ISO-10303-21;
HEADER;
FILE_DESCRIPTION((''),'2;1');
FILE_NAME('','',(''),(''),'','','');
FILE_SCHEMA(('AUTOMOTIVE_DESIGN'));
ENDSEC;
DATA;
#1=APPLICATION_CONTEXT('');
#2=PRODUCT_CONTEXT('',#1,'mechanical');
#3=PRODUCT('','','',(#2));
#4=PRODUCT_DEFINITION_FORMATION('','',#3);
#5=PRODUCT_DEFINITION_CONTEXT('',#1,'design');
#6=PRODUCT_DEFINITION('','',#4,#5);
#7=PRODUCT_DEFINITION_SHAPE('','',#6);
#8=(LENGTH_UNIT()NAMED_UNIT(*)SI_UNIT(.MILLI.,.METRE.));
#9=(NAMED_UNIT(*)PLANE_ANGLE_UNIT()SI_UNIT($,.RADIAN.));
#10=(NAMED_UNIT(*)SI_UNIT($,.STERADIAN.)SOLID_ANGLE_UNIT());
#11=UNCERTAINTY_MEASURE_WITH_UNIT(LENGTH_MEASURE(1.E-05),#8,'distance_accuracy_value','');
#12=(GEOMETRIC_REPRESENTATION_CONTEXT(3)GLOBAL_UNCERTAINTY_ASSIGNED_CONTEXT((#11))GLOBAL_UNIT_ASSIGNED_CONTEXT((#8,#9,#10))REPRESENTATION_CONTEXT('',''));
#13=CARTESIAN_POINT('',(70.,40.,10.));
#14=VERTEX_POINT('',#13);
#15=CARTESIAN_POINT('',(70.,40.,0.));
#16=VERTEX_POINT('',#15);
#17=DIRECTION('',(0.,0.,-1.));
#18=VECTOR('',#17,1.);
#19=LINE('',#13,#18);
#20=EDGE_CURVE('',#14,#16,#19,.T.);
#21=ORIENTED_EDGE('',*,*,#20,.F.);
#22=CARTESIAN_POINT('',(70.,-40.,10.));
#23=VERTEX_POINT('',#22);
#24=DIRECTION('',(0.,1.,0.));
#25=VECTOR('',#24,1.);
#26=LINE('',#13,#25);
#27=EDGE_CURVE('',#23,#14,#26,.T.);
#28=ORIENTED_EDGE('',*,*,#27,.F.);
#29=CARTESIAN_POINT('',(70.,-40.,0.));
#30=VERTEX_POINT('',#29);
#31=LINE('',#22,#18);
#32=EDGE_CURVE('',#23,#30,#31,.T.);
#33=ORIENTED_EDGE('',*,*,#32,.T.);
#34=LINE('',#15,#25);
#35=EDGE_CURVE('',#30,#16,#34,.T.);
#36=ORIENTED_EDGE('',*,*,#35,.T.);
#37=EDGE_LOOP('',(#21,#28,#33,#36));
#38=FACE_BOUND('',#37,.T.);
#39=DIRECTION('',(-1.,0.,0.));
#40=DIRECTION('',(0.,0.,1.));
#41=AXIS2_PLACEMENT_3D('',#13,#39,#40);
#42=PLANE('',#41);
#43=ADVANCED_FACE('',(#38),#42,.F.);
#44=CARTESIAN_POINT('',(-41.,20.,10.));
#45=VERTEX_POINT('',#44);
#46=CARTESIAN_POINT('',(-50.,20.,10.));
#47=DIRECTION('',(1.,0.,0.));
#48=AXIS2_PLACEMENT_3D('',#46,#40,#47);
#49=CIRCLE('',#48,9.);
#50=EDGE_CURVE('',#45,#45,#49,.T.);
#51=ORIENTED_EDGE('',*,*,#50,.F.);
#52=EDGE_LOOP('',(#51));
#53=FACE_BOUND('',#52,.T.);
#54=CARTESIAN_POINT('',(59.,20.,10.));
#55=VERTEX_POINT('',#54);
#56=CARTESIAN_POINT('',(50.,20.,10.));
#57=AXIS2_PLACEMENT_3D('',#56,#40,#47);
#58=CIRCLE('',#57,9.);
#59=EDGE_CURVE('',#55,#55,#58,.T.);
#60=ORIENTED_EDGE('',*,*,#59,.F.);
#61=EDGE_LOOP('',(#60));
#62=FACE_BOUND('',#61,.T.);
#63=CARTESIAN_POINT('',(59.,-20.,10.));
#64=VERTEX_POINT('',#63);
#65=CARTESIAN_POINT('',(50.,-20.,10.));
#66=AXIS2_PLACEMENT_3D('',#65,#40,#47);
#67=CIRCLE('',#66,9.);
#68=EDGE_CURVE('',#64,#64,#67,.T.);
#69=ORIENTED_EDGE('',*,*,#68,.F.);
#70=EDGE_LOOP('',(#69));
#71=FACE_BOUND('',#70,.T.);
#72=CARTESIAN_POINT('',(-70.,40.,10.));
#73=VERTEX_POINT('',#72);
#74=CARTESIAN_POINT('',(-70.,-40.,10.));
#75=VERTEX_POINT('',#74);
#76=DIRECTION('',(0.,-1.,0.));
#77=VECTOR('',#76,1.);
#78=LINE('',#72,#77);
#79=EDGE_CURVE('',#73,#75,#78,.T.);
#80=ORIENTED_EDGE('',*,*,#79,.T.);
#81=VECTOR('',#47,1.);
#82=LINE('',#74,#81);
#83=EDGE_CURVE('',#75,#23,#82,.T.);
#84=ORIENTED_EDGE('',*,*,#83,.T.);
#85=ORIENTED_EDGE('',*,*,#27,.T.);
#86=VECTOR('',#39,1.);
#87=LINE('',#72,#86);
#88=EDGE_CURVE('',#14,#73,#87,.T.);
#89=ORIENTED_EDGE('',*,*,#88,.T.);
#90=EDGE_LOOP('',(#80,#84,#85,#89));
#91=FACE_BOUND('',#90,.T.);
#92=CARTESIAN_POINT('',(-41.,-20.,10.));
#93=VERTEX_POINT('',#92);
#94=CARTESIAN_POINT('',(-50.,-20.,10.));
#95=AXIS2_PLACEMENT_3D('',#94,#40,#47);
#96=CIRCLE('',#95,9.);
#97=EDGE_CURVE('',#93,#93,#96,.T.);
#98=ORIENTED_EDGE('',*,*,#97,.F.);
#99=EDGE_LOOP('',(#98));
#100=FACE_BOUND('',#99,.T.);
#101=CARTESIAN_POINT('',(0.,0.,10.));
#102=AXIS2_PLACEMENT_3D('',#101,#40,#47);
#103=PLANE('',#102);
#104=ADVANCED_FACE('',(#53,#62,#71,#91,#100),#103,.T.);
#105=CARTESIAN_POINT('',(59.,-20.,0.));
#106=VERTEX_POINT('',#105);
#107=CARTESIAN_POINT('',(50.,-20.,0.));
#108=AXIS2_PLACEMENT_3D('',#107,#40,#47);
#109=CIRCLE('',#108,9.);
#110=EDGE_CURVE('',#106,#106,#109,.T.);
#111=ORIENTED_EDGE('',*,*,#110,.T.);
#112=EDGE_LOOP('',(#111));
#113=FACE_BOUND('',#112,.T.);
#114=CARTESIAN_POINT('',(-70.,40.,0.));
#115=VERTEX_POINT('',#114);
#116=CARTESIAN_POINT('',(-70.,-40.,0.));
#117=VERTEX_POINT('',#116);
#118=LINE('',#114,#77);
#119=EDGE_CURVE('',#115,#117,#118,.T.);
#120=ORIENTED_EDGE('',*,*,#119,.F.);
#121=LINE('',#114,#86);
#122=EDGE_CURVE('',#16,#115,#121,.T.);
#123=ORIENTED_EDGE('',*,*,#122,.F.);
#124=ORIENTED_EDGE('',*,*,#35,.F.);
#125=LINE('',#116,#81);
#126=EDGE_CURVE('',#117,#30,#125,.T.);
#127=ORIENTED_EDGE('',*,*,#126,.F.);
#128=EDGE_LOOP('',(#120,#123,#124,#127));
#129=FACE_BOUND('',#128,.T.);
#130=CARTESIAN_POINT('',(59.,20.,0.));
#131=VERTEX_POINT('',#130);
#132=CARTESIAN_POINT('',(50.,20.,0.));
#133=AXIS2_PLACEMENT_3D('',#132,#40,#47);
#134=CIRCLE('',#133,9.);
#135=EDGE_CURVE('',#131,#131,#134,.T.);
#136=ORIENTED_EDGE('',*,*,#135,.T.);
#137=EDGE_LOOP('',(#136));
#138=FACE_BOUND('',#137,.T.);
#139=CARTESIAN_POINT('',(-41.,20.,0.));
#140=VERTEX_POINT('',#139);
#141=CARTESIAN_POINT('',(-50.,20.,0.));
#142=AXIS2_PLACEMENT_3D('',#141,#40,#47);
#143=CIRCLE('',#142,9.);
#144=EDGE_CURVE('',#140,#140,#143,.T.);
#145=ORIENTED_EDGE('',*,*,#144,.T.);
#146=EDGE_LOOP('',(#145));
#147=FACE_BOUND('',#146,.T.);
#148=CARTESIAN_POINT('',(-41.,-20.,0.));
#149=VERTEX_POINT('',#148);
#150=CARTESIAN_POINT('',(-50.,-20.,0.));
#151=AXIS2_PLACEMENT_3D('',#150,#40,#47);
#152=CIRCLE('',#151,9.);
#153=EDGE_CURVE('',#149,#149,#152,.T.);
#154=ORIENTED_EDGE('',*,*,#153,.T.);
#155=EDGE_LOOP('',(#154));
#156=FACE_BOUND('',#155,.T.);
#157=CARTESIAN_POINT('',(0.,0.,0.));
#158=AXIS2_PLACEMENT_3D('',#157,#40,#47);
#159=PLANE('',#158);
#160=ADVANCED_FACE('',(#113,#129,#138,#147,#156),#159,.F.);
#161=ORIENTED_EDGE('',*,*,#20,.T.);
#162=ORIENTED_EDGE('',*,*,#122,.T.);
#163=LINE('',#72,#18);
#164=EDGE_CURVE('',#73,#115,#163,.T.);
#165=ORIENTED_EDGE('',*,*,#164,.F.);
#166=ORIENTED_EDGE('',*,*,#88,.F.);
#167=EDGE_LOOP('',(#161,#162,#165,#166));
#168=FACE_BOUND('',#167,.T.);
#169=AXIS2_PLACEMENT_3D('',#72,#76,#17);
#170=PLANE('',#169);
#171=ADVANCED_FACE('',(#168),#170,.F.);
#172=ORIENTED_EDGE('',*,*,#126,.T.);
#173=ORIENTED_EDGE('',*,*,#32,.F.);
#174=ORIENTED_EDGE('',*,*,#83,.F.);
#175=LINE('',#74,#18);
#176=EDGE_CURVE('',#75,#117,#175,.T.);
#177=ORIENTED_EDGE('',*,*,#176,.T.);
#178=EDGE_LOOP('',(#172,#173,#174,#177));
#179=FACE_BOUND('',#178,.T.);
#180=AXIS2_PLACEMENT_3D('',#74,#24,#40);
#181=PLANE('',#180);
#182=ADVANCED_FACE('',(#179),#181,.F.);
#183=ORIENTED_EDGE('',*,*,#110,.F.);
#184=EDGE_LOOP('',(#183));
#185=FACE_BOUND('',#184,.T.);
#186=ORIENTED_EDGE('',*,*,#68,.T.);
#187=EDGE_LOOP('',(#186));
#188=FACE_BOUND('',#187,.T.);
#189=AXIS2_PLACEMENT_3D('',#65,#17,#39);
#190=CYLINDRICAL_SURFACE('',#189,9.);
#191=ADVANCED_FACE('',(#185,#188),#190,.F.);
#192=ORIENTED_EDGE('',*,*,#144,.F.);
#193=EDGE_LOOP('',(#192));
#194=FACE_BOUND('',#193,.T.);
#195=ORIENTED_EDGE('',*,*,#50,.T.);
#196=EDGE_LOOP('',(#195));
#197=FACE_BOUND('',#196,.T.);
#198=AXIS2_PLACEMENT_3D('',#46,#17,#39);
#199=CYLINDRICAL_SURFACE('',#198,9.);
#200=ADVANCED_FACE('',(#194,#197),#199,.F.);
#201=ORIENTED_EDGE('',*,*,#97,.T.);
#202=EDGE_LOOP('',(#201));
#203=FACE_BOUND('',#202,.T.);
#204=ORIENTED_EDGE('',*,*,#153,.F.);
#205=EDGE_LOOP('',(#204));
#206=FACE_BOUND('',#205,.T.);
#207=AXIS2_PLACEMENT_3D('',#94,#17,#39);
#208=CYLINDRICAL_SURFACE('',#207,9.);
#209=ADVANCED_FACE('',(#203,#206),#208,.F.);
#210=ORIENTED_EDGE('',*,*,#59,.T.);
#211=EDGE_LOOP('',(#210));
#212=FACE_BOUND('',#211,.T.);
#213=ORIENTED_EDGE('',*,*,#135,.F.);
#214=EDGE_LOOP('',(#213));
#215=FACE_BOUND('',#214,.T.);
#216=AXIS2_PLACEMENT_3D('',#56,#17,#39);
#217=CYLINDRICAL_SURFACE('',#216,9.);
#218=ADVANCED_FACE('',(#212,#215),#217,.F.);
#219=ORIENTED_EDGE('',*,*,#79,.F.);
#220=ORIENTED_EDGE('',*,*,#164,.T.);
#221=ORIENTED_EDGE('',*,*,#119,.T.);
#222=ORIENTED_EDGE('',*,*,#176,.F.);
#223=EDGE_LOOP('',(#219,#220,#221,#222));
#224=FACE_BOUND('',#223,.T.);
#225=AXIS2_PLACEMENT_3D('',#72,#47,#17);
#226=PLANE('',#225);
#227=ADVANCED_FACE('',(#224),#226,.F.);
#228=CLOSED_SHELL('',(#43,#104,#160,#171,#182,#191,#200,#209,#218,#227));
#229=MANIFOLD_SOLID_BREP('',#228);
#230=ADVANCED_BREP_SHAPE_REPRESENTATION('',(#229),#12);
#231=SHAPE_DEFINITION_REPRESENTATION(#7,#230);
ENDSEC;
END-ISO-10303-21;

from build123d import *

# Parameters (mm, degrees)
SZKIC1_W                    = 140
SZKIC1_H                    = 80
SZKIC1_R                    = 9
DODANIE_WYCI_GNI_CIE1_DEPTH = 10


with BuildPart() as part:
    # Szkic1 → Dodanie-wyciągnięcie1 (new body)
    with BuildSketch(Plane.XY):
        Rectangle(SZKIC1_W, SZKIC1_H)
        with Locations((50, 20)):
            Circle(SZKIC1_R, mode=Mode.SUBTRACT)
        with Locations((-50, 20)):
            Circle(SZKIC1_R, mode=Mode.SUBTRACT)
        with Locations((-50, -20)):
            Circle(SZKIC1_R, mode=Mode.SUBTRACT)
        with Locations((50, -20)):
            Circle(SZKIC1_R, mode=Mode.SUBTRACT)
    extrude(amount=DODANIE_WYCI_GNI_CIE1_DEPTH)


solid = part.part
